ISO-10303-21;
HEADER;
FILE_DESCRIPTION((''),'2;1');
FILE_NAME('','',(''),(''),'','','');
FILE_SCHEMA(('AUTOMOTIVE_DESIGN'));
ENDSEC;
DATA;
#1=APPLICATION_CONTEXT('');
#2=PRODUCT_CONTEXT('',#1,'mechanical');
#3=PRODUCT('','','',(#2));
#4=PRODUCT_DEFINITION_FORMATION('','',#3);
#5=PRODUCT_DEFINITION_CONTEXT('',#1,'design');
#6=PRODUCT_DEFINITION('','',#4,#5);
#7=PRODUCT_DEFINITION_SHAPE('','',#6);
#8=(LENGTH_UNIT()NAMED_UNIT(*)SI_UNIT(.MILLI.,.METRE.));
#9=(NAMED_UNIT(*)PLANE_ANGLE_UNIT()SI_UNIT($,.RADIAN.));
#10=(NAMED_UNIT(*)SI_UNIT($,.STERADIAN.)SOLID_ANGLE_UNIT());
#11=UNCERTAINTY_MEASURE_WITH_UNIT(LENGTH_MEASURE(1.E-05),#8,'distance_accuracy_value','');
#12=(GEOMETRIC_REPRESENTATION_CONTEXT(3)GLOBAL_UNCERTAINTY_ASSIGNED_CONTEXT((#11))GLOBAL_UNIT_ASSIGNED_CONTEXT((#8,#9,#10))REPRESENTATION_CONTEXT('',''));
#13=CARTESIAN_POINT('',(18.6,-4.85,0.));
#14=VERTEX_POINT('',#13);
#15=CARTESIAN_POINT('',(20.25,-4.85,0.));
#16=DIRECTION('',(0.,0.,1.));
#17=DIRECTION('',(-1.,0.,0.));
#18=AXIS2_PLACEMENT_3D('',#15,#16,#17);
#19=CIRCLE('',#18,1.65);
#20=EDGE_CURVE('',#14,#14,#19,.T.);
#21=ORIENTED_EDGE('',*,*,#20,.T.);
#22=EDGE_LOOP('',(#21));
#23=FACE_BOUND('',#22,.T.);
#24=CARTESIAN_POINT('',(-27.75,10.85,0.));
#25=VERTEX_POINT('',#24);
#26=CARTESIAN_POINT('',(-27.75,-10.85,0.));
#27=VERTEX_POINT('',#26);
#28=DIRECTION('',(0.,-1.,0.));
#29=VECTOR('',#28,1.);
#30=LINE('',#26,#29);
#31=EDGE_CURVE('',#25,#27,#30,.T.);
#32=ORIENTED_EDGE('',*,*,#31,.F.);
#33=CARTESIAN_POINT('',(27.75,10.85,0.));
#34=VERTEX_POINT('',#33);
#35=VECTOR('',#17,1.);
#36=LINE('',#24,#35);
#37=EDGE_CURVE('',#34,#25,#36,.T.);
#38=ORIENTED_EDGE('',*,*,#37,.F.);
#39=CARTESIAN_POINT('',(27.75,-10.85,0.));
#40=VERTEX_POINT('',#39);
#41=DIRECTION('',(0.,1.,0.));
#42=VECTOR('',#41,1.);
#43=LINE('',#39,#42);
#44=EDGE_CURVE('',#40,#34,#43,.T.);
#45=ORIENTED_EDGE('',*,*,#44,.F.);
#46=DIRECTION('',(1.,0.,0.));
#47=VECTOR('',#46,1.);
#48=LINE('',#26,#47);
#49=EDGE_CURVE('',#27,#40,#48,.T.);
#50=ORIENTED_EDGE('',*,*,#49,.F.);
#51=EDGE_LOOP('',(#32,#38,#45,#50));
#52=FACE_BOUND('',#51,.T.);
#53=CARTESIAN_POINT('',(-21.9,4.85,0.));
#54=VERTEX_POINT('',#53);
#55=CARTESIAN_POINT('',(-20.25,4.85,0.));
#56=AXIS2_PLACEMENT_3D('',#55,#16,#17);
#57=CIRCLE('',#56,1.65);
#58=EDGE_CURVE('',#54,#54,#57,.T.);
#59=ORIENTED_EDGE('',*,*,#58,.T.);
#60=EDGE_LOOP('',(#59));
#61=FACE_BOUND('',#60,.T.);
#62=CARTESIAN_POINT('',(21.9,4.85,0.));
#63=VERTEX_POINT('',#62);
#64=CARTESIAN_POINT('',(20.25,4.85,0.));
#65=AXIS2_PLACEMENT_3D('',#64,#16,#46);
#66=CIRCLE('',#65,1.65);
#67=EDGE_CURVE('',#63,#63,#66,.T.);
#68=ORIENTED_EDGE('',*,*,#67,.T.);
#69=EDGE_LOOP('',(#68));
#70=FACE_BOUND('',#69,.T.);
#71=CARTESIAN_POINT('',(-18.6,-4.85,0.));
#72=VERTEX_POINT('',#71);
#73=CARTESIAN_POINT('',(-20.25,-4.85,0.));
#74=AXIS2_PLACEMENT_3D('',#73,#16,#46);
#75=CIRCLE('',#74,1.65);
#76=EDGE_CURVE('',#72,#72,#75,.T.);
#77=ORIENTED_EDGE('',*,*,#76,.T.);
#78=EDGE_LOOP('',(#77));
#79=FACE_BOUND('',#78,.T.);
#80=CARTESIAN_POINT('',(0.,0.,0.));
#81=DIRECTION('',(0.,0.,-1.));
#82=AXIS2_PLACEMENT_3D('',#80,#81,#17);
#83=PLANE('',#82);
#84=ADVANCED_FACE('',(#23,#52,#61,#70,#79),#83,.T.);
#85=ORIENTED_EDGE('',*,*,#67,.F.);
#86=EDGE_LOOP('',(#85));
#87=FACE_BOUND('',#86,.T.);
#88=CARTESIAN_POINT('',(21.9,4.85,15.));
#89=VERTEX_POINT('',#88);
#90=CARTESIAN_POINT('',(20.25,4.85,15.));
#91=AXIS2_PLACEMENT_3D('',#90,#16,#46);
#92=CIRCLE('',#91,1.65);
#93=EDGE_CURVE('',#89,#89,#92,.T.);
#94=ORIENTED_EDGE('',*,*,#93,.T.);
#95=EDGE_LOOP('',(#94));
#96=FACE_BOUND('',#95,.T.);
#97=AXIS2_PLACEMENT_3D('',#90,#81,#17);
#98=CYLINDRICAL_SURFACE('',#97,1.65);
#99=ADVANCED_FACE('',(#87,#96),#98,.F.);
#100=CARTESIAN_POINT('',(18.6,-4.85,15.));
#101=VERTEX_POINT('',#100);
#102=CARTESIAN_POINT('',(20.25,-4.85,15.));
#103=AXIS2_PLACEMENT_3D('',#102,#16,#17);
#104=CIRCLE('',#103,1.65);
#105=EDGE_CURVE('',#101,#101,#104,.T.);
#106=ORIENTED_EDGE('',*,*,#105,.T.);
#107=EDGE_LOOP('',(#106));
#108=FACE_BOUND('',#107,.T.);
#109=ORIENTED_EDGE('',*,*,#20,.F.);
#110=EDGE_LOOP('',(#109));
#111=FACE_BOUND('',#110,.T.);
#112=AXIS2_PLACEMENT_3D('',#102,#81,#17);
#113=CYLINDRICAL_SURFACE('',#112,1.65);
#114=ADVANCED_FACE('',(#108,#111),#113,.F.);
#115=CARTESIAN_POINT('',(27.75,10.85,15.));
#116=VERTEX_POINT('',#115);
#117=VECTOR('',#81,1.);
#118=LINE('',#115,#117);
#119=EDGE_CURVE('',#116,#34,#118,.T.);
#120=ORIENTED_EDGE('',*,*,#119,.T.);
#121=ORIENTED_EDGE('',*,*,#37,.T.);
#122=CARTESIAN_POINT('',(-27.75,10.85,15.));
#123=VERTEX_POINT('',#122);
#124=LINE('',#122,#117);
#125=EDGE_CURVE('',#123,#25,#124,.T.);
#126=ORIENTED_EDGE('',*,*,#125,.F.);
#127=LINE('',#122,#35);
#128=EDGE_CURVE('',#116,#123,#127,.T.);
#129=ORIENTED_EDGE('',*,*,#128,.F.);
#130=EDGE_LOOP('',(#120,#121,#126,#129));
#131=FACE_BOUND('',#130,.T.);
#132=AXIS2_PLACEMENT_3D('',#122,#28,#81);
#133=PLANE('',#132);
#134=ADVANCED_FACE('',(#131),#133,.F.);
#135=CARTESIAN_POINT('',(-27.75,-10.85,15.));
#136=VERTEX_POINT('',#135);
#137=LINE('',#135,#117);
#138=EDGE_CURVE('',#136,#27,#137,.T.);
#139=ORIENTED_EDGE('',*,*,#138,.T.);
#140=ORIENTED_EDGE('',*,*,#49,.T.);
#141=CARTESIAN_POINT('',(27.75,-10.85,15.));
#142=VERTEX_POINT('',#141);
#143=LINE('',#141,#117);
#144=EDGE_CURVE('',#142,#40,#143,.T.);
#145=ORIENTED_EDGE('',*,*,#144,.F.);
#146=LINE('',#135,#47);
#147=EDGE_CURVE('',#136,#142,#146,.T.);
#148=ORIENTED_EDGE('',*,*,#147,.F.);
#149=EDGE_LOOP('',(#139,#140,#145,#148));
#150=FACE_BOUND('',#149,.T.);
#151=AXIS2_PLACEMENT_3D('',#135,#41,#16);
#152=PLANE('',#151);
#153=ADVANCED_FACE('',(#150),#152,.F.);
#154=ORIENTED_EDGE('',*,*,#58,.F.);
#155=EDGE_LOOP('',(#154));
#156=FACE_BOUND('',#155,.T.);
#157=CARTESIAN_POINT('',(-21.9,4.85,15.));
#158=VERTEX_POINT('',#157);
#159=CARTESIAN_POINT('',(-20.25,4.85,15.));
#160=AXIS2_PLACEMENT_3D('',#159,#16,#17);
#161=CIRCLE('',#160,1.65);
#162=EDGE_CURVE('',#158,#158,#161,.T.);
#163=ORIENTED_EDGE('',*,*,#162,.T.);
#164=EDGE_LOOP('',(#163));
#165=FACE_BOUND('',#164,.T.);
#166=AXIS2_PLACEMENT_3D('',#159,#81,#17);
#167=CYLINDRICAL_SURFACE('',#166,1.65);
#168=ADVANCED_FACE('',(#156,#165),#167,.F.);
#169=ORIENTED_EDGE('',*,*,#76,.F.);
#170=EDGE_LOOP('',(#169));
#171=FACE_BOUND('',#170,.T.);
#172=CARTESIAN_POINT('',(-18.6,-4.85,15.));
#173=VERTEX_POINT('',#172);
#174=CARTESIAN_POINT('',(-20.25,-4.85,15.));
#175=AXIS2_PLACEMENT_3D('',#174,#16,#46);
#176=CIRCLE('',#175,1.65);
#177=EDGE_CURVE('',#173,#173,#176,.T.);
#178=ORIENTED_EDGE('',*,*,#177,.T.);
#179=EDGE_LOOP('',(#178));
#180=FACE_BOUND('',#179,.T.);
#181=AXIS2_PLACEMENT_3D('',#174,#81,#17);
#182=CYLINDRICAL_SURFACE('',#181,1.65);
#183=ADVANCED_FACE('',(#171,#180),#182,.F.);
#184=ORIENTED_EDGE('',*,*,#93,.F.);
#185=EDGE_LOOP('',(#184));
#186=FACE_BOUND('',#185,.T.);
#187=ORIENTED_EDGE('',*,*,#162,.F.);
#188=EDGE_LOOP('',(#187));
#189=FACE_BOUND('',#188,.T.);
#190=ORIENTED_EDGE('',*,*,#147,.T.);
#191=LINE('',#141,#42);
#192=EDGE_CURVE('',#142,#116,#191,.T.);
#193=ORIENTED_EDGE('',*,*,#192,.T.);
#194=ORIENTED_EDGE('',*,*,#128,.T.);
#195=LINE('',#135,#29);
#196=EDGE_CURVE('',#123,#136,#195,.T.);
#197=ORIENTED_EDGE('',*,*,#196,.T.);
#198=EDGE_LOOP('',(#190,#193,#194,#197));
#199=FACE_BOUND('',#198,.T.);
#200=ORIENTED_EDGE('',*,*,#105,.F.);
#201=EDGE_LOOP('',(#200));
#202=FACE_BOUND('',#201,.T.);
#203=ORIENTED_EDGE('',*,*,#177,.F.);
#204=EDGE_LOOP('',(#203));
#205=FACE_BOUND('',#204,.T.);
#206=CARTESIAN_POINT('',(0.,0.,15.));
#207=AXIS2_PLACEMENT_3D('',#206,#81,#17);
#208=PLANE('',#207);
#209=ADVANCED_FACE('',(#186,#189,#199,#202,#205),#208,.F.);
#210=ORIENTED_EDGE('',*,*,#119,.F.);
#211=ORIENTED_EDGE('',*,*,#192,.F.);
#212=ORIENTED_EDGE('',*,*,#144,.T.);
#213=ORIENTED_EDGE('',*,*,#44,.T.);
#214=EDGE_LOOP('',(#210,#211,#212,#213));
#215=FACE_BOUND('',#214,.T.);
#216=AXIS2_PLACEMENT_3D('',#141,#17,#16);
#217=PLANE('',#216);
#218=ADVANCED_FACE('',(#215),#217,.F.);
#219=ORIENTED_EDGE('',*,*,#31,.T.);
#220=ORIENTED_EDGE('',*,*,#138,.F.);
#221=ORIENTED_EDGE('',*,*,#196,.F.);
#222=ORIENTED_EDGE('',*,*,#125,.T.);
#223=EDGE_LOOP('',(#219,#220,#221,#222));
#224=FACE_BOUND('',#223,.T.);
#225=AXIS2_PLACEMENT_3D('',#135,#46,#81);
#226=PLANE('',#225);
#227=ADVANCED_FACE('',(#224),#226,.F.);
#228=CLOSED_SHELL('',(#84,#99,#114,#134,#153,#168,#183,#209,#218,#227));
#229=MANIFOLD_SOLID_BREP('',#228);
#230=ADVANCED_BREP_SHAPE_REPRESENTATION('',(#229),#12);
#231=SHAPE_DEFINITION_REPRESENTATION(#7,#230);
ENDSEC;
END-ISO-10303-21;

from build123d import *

# Parameters (mm, degrees)
SKETCH1_W           = 55.5
SKETCH1_H           = 21.7
SKETCH1_R           = 1.65
BOSS_EXTRUDE1_DEPTH = 15


with BuildPart() as part:
    # Sketch1 → Boss-Extrude1 (new body)
    with BuildSketch(Plane.XY):
        Rectangle(SKETCH1_W, SKETCH1_H)
        with Locations((20.25, 4.85)):
            Circle(SKETCH1_R, mode=Mode.SUBTRACT)
        with Locations((-20.25, 4.85)):
            Circle(SKETCH1_R, mode=Mode.SUBTRACT)
        with Locations((20.25, -4.85)):
            Circle(SKETCH1_R, mode=Mode.SUBTRACT)
        with Locations((-20.25, -4.85)):
            Circle(SKETCH1_R, mode=Mode.SUBTRACT)
    extrude(amount=BOSS_EXTRUDE1_DEPTH)


solid = part.part
